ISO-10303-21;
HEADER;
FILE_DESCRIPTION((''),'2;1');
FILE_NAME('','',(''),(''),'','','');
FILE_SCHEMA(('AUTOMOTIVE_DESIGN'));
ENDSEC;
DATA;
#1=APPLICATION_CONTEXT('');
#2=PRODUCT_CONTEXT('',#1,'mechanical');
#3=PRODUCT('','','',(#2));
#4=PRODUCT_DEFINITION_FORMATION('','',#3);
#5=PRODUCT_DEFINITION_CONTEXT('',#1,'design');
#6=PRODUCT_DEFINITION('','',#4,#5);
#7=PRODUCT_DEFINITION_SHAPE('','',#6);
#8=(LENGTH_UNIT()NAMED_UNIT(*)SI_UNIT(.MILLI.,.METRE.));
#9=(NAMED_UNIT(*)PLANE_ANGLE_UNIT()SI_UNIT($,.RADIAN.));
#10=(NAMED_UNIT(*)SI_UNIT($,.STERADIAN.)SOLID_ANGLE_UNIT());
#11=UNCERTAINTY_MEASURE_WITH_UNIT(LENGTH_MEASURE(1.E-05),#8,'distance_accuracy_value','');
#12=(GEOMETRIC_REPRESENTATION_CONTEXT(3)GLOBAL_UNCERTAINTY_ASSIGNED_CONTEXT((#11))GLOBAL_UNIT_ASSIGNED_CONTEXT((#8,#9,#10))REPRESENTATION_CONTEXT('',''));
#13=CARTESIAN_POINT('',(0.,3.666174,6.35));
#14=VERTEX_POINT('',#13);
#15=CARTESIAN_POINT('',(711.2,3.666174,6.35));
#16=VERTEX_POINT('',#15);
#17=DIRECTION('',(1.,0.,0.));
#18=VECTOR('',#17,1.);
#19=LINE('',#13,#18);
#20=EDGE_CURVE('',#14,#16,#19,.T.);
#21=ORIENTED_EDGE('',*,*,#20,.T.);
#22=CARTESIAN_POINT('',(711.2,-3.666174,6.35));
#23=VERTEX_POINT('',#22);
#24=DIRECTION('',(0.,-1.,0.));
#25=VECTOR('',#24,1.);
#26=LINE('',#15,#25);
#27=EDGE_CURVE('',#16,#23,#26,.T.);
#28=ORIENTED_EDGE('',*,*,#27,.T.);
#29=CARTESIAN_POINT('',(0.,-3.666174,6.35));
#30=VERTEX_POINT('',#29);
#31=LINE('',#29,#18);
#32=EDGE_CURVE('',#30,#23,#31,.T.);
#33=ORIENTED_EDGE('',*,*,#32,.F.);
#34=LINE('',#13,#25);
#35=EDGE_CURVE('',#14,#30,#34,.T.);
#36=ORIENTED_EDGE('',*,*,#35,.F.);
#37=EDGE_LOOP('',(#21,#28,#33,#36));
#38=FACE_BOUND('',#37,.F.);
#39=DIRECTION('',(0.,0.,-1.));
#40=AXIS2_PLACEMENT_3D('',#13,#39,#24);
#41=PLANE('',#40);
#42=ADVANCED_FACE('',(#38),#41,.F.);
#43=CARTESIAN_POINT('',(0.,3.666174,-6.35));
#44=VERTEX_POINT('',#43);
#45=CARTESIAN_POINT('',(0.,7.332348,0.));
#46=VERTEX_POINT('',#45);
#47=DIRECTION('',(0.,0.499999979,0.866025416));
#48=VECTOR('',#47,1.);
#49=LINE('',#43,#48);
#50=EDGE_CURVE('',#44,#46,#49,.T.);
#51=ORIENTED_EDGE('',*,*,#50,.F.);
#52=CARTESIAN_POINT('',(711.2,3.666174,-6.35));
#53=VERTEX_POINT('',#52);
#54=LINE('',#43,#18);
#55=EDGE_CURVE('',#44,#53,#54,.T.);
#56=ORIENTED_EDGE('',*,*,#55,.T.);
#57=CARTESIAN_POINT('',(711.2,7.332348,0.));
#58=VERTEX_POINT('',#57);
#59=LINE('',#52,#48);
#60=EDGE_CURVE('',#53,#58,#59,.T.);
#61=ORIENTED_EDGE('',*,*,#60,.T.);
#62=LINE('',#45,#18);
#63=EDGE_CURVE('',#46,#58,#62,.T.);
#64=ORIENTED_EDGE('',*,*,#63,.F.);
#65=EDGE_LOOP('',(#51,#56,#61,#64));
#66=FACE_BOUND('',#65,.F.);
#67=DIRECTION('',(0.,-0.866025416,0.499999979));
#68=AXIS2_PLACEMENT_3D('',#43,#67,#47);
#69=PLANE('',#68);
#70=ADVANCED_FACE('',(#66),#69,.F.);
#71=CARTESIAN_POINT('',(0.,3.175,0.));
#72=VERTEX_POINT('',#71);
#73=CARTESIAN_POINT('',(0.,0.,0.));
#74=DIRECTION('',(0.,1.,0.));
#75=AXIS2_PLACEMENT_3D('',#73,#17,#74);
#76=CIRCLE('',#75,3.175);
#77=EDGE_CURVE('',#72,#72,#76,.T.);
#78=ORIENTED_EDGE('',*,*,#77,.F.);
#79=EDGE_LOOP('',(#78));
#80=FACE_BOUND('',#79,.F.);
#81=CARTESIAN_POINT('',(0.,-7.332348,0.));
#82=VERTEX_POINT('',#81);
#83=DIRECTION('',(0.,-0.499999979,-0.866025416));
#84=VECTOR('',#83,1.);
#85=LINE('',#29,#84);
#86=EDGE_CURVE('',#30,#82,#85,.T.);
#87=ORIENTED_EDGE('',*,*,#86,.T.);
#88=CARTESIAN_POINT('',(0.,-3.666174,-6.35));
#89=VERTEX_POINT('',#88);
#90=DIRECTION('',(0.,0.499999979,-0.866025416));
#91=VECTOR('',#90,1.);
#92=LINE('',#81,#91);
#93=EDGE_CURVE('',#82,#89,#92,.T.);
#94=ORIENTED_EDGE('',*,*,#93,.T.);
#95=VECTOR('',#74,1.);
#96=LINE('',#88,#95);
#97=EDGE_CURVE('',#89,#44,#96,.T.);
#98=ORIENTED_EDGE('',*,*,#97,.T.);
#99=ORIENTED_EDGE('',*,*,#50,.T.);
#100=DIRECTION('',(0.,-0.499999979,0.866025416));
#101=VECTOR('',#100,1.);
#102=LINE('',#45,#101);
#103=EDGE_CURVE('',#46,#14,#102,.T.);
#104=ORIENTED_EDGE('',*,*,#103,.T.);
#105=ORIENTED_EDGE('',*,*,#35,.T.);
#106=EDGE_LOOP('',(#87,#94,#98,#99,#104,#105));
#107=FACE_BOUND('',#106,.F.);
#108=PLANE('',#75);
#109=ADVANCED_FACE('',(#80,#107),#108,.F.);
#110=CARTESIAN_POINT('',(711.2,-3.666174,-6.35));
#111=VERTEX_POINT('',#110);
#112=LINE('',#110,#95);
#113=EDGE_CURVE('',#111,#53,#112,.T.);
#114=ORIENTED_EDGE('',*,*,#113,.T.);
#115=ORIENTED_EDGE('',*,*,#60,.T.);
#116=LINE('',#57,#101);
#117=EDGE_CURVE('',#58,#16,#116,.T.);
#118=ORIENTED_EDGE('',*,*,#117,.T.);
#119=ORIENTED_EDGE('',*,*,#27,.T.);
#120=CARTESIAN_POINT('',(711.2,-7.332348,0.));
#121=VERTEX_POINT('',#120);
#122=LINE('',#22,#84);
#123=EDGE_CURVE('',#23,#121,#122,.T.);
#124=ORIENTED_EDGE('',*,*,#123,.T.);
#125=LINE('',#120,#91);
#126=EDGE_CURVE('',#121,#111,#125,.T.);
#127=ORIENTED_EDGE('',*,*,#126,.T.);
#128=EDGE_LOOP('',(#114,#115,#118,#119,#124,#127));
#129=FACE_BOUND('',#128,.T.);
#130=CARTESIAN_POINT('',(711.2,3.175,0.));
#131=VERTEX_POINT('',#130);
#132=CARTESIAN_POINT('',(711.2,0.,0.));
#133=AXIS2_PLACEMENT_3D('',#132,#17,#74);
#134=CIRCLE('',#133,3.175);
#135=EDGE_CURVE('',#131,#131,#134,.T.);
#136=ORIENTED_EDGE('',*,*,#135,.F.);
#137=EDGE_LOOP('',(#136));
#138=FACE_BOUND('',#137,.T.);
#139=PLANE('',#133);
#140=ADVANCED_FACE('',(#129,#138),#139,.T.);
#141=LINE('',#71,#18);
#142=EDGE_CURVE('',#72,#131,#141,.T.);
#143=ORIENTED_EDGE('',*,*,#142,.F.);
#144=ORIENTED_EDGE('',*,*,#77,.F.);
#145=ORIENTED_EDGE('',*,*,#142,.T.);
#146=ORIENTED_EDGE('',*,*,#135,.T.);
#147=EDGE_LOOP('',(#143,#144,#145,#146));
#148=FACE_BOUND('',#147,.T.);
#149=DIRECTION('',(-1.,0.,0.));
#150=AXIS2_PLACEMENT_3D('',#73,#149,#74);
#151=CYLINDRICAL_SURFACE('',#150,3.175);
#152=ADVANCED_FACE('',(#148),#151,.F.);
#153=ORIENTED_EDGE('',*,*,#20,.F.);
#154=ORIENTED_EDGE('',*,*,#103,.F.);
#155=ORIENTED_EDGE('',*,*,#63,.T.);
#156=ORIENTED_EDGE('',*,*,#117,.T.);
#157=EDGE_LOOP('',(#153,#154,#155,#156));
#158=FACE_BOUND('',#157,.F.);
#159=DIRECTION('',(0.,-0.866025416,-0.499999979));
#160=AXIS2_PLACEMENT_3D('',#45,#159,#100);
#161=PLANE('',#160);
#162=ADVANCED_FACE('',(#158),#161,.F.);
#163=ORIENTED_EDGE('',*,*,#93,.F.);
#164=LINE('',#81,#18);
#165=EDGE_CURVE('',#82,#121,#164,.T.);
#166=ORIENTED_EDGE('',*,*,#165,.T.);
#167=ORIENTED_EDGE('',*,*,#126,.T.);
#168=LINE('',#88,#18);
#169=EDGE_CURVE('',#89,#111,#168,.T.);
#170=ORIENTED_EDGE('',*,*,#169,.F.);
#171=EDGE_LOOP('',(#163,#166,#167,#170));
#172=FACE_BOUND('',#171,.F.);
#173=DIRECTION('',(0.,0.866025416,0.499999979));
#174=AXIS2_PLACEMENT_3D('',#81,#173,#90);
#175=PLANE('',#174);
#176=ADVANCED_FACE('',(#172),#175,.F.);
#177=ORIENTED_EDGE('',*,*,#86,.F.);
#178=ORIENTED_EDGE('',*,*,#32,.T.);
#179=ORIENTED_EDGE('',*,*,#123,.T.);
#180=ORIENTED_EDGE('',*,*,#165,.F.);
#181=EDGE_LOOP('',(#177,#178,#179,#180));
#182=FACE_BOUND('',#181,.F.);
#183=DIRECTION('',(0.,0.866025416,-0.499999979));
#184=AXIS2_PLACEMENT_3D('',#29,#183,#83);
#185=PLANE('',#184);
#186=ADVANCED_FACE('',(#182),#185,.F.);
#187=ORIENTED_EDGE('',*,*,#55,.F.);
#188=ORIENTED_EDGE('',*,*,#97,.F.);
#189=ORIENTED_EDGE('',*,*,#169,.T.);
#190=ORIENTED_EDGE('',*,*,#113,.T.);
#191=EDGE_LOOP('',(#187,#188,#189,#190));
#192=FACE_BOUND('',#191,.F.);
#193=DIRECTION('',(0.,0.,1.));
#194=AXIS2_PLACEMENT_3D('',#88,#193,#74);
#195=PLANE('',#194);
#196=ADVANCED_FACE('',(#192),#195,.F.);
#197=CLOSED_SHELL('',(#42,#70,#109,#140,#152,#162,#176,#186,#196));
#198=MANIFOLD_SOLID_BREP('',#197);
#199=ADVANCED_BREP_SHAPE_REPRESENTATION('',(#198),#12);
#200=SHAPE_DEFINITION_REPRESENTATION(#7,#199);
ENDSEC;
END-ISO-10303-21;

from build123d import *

# Parameters (mm, degrees)
F0_R     = 3.175
F1_DEPTH = 711.2


with BuildPart() as f1:
    # F0 (on Right) → F1 (new body)
    with BuildSketch(Plane.YZ):
        Polygon((3.666174, 6.35), (-3.666174, 6.35), (-7.332348, 0), (-3.666174, -6.35), (3.666174, -6.35), (7.332348, 0), align=None)
        Circle(F0_R, mode=Mode.SUBTRACT)
    extrude(amount=F1_DEPTH)


solid = f1.part
